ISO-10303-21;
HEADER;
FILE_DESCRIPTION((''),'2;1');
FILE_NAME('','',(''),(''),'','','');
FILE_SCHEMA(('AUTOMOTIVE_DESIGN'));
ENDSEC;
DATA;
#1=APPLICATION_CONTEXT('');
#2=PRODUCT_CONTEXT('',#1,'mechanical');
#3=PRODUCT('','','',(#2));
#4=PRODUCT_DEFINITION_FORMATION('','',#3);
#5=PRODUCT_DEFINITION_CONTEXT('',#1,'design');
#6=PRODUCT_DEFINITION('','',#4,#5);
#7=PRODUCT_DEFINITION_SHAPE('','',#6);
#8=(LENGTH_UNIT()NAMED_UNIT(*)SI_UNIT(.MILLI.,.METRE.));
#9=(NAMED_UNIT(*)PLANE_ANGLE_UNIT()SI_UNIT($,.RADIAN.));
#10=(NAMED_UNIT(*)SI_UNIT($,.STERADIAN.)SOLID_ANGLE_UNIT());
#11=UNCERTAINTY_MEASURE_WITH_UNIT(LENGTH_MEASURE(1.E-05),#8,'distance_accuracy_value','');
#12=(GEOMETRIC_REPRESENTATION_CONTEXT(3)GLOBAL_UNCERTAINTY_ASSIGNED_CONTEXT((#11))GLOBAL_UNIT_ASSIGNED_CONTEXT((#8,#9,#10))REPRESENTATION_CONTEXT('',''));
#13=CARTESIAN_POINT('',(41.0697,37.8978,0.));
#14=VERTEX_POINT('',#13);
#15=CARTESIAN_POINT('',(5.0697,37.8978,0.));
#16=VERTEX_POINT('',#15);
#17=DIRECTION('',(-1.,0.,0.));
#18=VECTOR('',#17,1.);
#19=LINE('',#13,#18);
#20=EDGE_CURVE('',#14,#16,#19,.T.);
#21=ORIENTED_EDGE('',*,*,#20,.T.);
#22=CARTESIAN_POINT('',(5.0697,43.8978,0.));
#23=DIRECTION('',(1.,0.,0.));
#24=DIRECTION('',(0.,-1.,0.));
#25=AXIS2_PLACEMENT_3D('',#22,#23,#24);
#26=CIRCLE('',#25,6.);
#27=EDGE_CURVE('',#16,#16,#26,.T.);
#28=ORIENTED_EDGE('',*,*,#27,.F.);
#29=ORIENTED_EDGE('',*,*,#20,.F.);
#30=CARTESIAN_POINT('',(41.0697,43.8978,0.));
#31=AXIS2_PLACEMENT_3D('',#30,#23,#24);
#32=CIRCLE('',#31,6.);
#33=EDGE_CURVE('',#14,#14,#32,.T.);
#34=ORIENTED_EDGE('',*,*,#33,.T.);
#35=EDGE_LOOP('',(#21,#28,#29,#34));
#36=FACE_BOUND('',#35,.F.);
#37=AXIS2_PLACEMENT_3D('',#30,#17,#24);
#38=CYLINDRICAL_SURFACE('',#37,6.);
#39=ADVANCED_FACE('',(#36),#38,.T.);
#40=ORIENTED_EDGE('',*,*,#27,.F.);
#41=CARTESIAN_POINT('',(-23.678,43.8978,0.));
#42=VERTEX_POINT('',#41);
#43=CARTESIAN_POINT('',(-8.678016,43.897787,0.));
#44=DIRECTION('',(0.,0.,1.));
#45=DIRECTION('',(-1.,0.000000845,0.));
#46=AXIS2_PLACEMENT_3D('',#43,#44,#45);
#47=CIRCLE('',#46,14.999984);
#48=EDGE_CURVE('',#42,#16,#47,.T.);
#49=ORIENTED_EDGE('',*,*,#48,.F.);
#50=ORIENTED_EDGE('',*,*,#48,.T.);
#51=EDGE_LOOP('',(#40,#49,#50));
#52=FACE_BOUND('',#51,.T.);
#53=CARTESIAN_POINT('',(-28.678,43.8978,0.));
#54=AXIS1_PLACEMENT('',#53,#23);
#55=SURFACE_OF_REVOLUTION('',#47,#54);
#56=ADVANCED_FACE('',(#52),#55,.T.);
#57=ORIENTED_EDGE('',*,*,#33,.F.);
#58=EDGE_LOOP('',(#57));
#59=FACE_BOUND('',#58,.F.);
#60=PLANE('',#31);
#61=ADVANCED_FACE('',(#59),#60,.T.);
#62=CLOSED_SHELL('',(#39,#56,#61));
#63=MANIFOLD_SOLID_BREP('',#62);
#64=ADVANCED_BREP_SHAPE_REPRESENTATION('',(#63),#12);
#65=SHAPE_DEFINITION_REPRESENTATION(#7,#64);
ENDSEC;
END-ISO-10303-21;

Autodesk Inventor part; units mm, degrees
ref_plane "YZ Plane" through (0, 0, 0) normal (1, 0, 0) x (0, 1, 0)
ref_plane "XZ Plane" through (0, 0, 0) normal (0, 1, 0) x (-1, 0, 0)
ref_plane "XY Plane" through (0, 0, 0) normal (0, 0, 1) x (1, 0, 0)
sketch "Sketch1" plane through (0, 0, 0) normal (0, 0, 1) x (1, 0, 0)
  circle A0 centre (-8.678, 43.8978) radius 15 construction
  line L0 (5.0697, 37.8978) -> (41.0697, 37.8978) construction
  line L1 (-28.678, 43.8978) -> (38.9288, 43.8978) construction
  line L2 (41.0697, 37.8978) -> (41.0697, 43.8978) construction
  line L3 (41.0697, 43.8978) -> (41.0697, 37.8978)
  line L4 (41.0697, 37.8978) -> (5.0697, 37.8978)
  line L5 (41.0697, 43.8978) -> (-23.678, 43.8978)
  arc A1 (-23.678, 43.8978) -> (5.0697, 37.8978) centre (-8.678, 43.8978) ccw
  point P0 (0, 0)
  point P1 (-23.678, 43.8978)
revolve "Revolution1" add sketch "Sketch1" angle 360 about axis through (-28.678, 43.8978, 0) along (1, 0, 0)
properties part number "MCEN4000:T5" material "STEEL, AISI 1015"
